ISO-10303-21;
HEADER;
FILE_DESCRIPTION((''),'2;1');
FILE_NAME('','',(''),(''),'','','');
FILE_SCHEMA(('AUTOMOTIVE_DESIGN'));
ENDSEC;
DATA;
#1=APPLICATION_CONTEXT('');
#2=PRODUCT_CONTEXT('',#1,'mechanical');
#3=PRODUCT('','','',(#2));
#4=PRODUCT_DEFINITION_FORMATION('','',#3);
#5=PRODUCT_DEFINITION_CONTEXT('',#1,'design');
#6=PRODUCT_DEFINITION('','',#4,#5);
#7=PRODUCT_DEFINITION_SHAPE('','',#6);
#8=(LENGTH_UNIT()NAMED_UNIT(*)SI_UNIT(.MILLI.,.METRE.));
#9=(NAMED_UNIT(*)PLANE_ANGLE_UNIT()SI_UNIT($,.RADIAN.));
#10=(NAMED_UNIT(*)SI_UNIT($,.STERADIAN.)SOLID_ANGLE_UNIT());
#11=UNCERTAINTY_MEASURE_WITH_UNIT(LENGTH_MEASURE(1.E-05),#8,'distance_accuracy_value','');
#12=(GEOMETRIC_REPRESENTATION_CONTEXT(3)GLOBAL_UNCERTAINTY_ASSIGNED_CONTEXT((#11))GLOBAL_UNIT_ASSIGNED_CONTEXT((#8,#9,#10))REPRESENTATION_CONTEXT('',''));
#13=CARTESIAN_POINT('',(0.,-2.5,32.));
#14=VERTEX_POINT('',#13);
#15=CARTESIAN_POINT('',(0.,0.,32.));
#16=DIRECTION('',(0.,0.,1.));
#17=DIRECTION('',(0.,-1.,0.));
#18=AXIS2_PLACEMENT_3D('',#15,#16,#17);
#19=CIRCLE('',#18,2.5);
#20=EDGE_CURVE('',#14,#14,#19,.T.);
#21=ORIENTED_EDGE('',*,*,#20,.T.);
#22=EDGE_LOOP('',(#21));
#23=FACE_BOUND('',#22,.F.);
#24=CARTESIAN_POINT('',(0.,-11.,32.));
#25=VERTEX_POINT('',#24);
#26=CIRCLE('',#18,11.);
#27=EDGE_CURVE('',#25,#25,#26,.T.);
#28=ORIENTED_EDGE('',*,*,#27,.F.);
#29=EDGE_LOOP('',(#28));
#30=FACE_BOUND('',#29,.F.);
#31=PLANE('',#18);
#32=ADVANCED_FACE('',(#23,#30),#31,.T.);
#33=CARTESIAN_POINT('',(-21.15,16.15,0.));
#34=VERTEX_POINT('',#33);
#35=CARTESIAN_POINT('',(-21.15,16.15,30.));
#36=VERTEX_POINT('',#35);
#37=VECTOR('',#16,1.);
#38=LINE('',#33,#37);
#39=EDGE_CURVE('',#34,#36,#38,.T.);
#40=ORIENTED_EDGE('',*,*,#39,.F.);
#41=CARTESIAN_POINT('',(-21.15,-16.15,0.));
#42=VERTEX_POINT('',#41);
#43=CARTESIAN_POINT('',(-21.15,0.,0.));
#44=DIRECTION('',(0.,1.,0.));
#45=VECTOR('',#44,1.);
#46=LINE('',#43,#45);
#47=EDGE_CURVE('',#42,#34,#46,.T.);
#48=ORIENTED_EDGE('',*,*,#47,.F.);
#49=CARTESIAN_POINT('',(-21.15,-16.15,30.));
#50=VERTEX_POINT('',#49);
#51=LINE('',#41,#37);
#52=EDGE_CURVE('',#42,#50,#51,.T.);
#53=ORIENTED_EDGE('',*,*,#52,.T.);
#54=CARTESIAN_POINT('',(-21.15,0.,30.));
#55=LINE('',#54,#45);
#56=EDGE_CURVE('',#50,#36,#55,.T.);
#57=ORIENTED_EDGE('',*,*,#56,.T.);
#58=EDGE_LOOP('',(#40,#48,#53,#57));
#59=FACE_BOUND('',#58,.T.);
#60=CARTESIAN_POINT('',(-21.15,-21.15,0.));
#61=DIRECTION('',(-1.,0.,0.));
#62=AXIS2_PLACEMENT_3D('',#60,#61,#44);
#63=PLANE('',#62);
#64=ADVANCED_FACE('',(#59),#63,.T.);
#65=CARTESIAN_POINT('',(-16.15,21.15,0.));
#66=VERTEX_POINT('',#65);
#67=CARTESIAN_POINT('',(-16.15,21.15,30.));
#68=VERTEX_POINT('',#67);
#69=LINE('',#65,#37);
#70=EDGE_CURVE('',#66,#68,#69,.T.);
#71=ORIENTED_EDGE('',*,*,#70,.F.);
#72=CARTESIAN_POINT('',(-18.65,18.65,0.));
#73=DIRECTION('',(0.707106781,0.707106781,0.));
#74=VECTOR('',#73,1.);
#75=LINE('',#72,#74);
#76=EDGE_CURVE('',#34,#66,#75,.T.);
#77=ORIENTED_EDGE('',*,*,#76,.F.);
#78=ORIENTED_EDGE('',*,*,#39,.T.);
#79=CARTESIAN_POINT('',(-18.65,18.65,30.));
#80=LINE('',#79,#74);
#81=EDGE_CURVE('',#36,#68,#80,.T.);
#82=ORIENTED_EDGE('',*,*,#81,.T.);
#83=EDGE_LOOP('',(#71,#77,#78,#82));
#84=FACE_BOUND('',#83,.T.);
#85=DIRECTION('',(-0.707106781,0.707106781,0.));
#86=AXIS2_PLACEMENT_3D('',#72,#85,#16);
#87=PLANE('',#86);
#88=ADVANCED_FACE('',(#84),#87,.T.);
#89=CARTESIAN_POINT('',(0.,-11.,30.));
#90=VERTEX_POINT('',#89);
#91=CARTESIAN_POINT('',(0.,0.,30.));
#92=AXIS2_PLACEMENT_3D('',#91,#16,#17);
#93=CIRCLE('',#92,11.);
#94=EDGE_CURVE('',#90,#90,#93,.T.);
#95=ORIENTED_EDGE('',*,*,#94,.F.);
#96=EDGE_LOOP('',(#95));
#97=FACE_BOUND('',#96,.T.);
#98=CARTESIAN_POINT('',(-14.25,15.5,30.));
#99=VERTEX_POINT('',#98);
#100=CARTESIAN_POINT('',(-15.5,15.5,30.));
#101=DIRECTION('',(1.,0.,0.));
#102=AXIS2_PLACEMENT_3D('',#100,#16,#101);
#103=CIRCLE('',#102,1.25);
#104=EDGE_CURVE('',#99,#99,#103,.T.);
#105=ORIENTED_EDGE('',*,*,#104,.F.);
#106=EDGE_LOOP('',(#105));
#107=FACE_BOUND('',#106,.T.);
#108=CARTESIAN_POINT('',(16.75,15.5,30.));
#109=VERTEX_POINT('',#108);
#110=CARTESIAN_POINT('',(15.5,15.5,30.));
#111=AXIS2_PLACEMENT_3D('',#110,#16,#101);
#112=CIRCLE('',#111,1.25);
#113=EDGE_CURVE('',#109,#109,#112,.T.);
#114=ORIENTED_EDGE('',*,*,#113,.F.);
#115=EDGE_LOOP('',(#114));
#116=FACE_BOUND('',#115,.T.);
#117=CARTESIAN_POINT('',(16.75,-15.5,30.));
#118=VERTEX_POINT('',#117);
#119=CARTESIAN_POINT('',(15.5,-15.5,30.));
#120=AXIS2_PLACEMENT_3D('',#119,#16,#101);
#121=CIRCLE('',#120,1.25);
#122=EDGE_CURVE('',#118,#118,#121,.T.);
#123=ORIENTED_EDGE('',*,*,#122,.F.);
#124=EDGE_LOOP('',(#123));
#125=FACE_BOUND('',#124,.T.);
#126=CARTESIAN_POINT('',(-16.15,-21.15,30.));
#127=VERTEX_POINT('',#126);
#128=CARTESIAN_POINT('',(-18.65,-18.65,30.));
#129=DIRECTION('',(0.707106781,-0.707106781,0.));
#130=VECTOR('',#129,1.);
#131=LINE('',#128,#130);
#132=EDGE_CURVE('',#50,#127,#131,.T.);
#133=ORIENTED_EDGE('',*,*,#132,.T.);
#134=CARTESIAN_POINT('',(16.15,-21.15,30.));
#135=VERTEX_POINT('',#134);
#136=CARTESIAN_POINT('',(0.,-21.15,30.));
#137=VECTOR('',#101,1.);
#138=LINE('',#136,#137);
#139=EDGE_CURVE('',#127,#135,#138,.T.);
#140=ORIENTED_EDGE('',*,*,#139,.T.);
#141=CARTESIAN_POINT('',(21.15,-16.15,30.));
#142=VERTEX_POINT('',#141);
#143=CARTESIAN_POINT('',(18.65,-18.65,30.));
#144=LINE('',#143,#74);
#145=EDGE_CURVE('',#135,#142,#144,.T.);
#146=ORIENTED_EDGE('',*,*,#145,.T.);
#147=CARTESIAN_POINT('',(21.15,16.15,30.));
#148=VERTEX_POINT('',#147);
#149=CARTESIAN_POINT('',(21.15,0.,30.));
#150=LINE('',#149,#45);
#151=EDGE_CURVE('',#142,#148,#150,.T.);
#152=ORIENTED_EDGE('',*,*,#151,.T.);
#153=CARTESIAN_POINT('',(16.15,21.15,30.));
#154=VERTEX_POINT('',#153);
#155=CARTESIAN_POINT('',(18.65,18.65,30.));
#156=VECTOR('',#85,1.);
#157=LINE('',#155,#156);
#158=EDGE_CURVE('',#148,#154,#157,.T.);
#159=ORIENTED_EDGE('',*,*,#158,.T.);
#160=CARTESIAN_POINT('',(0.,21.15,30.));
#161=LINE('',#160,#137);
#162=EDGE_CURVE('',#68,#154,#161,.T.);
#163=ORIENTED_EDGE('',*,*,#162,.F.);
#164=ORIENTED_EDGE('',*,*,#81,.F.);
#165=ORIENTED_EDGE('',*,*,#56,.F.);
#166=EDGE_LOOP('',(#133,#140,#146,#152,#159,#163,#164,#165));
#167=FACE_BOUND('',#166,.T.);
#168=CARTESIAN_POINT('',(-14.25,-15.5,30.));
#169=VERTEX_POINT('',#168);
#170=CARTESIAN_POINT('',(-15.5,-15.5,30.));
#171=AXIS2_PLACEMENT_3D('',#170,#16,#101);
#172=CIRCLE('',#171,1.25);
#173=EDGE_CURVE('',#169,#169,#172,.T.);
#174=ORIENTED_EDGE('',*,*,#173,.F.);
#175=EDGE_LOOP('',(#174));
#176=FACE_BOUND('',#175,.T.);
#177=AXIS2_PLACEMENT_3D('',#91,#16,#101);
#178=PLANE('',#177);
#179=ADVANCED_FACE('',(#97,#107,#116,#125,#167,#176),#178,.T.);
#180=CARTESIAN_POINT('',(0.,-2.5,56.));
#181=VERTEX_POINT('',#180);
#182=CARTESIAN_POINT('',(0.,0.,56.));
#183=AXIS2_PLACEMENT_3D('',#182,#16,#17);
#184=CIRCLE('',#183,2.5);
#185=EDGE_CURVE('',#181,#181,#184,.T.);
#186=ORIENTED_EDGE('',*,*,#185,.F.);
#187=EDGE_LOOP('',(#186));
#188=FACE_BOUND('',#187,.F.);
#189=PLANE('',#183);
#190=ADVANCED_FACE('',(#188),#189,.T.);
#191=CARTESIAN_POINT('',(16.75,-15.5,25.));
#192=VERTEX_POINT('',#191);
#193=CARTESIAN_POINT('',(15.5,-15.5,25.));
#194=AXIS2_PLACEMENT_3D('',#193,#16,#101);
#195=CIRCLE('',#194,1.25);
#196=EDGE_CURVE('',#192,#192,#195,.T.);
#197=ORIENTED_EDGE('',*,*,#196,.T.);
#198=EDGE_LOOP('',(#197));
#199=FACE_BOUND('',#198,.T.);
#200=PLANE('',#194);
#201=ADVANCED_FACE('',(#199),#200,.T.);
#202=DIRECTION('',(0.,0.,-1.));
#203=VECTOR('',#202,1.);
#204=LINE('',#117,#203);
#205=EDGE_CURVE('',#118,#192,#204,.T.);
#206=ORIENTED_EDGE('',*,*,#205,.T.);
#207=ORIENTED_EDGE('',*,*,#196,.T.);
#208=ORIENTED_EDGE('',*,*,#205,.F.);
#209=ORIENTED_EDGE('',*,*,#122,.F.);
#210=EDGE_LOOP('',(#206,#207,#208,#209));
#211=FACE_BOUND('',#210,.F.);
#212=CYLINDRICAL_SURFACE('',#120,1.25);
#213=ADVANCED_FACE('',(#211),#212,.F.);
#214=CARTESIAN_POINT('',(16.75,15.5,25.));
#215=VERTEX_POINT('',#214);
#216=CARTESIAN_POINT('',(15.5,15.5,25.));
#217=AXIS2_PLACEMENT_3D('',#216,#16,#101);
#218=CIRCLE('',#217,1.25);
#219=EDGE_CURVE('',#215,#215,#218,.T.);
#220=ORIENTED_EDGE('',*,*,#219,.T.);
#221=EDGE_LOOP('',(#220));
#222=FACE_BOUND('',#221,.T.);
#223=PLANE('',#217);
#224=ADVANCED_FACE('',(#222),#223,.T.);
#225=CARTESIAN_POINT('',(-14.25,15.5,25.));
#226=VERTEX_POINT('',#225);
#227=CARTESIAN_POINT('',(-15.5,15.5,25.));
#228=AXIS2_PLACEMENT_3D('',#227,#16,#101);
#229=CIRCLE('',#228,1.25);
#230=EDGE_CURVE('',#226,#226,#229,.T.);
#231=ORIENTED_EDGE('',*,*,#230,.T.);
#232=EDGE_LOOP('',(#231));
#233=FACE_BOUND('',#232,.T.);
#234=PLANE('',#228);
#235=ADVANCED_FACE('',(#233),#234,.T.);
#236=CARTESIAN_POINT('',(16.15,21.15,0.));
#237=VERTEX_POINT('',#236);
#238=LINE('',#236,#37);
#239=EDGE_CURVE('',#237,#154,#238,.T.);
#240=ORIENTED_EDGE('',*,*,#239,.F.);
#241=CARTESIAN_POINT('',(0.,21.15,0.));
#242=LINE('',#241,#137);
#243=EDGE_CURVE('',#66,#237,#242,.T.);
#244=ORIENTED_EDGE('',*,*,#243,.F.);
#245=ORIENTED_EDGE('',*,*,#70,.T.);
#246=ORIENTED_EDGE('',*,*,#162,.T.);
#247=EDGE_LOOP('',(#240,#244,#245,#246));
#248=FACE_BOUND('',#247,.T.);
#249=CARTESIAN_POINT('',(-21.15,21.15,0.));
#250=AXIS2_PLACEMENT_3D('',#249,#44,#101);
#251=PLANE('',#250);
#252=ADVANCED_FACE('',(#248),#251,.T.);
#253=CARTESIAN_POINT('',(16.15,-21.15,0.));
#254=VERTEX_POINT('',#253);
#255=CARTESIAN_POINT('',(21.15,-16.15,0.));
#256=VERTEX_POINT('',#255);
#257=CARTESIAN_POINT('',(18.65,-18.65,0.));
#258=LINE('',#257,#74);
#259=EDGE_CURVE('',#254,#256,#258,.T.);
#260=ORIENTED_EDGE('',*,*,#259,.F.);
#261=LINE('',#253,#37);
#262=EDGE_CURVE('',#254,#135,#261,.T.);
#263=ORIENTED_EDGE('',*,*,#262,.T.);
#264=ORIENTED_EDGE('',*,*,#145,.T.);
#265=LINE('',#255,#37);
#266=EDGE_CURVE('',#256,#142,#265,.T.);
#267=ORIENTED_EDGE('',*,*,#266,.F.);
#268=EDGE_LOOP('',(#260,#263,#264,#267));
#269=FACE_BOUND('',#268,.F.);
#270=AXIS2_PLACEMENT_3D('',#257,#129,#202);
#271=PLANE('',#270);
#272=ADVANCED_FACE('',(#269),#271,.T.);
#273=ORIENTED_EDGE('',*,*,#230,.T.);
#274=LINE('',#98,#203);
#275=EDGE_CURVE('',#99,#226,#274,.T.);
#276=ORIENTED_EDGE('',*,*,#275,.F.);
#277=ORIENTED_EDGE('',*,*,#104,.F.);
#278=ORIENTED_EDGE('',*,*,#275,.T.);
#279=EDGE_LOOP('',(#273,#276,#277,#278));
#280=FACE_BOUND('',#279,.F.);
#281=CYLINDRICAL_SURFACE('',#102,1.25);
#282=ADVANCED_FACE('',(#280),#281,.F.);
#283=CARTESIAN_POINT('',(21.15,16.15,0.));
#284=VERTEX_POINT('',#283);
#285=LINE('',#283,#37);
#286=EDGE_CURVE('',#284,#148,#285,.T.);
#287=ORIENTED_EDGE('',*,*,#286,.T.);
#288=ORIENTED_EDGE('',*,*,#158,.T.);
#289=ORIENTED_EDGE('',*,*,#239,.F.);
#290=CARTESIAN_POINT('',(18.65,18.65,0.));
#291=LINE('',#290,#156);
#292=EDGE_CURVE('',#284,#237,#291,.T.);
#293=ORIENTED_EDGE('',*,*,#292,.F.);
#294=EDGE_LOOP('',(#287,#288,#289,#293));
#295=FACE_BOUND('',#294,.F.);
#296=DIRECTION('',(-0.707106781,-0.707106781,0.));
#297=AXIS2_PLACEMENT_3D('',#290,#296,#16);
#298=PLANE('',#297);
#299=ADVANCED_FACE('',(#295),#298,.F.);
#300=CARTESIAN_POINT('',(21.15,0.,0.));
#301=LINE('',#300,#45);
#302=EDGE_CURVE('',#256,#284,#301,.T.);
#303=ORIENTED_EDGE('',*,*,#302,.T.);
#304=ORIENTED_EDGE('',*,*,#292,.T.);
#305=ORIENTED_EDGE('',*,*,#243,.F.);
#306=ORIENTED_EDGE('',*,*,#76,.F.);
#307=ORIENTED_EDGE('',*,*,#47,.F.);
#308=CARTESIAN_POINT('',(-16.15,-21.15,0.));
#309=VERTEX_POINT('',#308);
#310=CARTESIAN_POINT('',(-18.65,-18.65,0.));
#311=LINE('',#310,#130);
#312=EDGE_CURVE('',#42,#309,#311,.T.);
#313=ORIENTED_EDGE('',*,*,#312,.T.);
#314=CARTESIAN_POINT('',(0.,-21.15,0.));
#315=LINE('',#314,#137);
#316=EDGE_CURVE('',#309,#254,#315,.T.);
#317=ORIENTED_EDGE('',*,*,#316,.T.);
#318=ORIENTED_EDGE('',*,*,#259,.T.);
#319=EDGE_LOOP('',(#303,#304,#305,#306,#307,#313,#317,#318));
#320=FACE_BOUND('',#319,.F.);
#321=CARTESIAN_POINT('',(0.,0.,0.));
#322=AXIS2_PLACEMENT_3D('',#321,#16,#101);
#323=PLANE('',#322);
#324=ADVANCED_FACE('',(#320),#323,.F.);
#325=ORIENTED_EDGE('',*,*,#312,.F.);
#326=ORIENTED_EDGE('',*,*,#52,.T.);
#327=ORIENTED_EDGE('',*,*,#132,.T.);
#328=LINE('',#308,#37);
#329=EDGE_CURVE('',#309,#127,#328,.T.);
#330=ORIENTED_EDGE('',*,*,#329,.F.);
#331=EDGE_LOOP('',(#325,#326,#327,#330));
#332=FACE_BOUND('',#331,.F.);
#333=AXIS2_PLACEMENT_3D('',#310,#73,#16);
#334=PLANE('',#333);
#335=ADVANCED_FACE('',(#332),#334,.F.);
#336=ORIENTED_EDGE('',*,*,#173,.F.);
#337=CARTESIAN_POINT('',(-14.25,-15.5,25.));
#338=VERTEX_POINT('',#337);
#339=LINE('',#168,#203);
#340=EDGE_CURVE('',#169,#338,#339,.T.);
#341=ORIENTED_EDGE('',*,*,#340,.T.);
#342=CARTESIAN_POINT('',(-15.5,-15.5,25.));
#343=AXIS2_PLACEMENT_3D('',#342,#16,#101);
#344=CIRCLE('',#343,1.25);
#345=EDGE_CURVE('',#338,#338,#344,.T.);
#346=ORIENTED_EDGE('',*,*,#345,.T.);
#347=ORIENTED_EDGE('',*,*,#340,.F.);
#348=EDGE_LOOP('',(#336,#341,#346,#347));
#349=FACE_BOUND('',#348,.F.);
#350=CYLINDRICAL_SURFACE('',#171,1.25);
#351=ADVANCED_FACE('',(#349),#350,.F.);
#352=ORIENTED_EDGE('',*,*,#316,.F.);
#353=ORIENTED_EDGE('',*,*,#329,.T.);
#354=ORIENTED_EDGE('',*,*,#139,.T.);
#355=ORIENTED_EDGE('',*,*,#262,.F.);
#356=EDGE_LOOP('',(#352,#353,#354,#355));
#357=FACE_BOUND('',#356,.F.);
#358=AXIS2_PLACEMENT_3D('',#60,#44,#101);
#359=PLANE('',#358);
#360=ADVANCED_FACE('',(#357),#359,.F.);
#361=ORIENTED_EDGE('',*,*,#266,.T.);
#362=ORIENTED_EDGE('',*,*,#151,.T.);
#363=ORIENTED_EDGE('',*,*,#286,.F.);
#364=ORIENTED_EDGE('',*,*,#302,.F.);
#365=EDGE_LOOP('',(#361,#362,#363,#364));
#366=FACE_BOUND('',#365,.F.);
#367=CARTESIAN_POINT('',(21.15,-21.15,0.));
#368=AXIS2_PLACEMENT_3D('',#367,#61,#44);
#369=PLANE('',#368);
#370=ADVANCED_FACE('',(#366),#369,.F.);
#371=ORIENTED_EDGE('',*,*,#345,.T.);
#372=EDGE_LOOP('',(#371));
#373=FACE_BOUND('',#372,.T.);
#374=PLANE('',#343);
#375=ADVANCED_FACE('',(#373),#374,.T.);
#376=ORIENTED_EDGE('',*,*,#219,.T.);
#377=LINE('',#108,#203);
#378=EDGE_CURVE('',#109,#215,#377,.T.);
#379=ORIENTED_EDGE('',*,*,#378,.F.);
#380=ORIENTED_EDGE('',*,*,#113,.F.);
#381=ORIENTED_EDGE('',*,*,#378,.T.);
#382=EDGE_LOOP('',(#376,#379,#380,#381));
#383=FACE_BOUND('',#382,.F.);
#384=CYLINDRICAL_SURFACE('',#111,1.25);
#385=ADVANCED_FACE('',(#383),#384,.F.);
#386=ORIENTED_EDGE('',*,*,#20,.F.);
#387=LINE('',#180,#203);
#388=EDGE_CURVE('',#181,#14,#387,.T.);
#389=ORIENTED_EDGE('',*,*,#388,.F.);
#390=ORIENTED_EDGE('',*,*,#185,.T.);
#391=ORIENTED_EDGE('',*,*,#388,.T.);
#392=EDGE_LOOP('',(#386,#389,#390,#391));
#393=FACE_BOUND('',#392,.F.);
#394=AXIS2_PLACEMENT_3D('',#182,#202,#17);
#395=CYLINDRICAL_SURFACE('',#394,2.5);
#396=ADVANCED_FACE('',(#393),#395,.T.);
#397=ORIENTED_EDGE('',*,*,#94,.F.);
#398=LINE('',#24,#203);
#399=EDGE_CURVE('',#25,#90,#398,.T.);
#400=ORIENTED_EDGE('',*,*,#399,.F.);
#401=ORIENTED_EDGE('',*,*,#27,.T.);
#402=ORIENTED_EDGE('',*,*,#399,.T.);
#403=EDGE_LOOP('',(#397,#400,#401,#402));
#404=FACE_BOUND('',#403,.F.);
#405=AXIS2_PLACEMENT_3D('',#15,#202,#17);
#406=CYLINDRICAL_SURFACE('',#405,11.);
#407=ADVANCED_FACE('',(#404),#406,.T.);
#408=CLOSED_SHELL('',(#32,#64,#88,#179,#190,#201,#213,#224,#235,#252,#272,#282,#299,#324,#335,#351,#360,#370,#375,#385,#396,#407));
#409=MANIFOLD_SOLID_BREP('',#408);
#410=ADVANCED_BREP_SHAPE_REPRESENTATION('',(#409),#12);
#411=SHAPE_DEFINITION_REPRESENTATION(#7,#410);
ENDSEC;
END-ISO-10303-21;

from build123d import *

# Parameters (mm, degrees)
F0_W     = 42.3
F0_H     = 42.3
F1_DEPTH = 30
F2_SIZE  = 5
F5_R     = 1.25
F6_DEPTH = 5


with BuildPart() as f1:
    # F0 (on Top) → F1 (new body)
    with BuildSketch(Plane.XY):
        Rectangle(F0_W, F0_H)
    extrude(amount=F1_DEPTH)

    # F2
    f2_edges = [f1.edges().sort_by_distance(p)[0] for p in [
        (21.15, -21.15, 15),
        (-21.15, -21.15, 15),
        (-21.15, 21.15, 15),
        (21.15, 21.15, 15),
    ]]
    chamfer(f2_edges, length=F2_SIZE)

    # F3 (on Right) → F4 (revolve)
    with BuildSketch(Plane.YZ):
        Polygon((-11, 30), (0, 30), (0, 56), (-2.5, 56), (-2.5, 32), (-11, 32), align=None)
    revolve(axis=Axis((0, 0, 43), (0, 0, 1)))

    # F5 (on face) → F6 (cut)
    with BuildSketch(Plane.XY.offset(30)):
        with Locations((-15.5, 15.5)):
            Circle(F5_R)
        with Locations((15.5, 15.5)):
            Circle(F5_R)
        with Locations((15.5, -15.5)):
            Circle(F5_R)
        with Locations((-15.5, -15.5)):
            Circle(F5_R)
    extrude(amount=-F6_DEPTH, mode=Mode.SUBTRACT)


solid = f1.part
